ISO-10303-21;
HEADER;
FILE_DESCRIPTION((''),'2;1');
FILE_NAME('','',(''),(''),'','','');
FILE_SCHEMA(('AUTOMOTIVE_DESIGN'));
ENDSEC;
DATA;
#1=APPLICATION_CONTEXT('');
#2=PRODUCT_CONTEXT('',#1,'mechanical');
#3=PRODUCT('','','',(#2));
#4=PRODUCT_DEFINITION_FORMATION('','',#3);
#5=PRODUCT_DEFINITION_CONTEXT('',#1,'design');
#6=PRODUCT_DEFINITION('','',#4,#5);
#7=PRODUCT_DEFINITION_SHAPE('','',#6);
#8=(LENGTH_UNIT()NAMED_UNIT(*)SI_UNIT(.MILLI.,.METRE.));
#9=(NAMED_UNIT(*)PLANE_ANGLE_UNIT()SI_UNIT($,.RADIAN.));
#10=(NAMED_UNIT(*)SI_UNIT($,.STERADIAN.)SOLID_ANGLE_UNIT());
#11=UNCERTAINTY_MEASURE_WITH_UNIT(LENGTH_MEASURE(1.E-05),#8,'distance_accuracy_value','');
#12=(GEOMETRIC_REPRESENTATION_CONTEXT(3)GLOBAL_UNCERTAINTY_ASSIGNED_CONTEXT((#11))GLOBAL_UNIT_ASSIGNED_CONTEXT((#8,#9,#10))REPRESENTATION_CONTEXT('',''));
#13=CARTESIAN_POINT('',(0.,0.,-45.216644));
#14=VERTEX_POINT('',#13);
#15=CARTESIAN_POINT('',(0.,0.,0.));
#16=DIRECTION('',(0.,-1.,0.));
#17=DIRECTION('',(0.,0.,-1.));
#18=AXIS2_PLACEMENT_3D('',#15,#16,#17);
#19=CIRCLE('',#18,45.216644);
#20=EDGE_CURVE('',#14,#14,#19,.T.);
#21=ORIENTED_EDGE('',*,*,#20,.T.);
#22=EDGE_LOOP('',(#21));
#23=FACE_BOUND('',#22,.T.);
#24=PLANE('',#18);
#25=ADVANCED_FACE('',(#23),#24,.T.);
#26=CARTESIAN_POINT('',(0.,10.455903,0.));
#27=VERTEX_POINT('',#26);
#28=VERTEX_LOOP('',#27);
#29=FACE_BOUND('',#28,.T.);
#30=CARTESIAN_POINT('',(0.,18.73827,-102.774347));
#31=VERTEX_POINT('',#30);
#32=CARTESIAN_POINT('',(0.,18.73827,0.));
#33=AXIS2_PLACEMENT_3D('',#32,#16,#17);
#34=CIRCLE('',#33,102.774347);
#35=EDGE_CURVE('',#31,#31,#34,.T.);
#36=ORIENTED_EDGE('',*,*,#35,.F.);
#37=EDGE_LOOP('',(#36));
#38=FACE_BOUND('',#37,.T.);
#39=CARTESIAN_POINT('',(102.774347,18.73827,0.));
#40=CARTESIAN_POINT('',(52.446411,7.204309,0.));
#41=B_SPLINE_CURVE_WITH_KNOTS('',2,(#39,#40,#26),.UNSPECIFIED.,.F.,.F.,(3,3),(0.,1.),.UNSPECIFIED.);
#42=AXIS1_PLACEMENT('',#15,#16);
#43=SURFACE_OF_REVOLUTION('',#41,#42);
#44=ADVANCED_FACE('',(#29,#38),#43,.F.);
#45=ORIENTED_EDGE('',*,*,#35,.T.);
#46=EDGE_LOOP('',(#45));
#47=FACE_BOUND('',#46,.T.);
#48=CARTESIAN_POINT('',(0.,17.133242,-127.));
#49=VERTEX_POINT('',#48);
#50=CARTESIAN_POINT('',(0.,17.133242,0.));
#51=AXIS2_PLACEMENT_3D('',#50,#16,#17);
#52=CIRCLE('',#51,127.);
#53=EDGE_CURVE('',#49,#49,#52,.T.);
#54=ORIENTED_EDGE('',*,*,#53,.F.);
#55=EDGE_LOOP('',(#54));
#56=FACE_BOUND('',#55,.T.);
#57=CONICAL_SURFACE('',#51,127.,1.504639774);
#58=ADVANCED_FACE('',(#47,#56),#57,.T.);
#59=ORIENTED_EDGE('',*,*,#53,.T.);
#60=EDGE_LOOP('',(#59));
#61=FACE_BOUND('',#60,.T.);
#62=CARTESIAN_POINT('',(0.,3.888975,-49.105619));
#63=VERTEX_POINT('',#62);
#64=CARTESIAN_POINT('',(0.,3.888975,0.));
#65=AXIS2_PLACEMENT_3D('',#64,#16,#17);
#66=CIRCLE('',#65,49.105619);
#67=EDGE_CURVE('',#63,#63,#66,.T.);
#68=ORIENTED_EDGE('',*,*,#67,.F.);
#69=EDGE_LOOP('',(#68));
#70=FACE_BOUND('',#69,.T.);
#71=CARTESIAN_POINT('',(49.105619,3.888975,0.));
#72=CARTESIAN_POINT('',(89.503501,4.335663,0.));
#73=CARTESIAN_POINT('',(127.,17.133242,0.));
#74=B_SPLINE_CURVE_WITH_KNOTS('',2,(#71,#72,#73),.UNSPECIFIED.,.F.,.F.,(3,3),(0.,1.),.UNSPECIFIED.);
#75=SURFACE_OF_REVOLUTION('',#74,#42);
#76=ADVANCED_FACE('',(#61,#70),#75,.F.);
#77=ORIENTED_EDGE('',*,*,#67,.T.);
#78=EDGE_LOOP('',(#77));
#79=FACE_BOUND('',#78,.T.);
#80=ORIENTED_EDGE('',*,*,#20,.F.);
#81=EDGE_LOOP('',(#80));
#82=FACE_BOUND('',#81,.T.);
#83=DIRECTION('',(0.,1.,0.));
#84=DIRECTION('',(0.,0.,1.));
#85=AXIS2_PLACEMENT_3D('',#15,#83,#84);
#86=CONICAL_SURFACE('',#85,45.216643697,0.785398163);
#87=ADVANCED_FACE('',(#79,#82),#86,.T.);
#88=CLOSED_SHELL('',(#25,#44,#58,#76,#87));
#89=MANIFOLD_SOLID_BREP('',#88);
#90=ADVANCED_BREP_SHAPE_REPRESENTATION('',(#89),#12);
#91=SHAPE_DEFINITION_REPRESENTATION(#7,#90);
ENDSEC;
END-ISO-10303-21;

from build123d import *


with BuildPart() as part:
    # Sketch1 → Revolve3 (revolve)
    with BuildSketch(Plane.XY, mode=Mode.PRIVATE) as revolve3_sk:
        with BuildLine():
            Line((45.216643697, 0), (49.105618679, 3.888974982))
            add(Edge.make_bspline(
                [(49.105618679, 3.888974982), (89.503501125, 4.335662509), (127, 17.133241645)],
                knots=[0, 0, 0, 1, 1, 1], degree=2))
            Line((127, 17.133241645), (102.774347298, 18.73826956))
            add(Edge.make_bspline(
                [(0, 10.45590297), (52.446410695, 7.204309034), (102.774347298, 18.73826956)],
                knots=[0, 0, 0, 1, 1, 1], degree=2))
            Line((0, 10.45590297), (0, 0))
            Line((0, 0), (45.216643697, 0))
        make_face()
    revolve(revolve3_sk.sketch.rotate(Axis((0, 0, 0), (0, 1, 0)), 90), axis=Axis((0, 0, 0), (0, 1, 0)))


solid = part.part
